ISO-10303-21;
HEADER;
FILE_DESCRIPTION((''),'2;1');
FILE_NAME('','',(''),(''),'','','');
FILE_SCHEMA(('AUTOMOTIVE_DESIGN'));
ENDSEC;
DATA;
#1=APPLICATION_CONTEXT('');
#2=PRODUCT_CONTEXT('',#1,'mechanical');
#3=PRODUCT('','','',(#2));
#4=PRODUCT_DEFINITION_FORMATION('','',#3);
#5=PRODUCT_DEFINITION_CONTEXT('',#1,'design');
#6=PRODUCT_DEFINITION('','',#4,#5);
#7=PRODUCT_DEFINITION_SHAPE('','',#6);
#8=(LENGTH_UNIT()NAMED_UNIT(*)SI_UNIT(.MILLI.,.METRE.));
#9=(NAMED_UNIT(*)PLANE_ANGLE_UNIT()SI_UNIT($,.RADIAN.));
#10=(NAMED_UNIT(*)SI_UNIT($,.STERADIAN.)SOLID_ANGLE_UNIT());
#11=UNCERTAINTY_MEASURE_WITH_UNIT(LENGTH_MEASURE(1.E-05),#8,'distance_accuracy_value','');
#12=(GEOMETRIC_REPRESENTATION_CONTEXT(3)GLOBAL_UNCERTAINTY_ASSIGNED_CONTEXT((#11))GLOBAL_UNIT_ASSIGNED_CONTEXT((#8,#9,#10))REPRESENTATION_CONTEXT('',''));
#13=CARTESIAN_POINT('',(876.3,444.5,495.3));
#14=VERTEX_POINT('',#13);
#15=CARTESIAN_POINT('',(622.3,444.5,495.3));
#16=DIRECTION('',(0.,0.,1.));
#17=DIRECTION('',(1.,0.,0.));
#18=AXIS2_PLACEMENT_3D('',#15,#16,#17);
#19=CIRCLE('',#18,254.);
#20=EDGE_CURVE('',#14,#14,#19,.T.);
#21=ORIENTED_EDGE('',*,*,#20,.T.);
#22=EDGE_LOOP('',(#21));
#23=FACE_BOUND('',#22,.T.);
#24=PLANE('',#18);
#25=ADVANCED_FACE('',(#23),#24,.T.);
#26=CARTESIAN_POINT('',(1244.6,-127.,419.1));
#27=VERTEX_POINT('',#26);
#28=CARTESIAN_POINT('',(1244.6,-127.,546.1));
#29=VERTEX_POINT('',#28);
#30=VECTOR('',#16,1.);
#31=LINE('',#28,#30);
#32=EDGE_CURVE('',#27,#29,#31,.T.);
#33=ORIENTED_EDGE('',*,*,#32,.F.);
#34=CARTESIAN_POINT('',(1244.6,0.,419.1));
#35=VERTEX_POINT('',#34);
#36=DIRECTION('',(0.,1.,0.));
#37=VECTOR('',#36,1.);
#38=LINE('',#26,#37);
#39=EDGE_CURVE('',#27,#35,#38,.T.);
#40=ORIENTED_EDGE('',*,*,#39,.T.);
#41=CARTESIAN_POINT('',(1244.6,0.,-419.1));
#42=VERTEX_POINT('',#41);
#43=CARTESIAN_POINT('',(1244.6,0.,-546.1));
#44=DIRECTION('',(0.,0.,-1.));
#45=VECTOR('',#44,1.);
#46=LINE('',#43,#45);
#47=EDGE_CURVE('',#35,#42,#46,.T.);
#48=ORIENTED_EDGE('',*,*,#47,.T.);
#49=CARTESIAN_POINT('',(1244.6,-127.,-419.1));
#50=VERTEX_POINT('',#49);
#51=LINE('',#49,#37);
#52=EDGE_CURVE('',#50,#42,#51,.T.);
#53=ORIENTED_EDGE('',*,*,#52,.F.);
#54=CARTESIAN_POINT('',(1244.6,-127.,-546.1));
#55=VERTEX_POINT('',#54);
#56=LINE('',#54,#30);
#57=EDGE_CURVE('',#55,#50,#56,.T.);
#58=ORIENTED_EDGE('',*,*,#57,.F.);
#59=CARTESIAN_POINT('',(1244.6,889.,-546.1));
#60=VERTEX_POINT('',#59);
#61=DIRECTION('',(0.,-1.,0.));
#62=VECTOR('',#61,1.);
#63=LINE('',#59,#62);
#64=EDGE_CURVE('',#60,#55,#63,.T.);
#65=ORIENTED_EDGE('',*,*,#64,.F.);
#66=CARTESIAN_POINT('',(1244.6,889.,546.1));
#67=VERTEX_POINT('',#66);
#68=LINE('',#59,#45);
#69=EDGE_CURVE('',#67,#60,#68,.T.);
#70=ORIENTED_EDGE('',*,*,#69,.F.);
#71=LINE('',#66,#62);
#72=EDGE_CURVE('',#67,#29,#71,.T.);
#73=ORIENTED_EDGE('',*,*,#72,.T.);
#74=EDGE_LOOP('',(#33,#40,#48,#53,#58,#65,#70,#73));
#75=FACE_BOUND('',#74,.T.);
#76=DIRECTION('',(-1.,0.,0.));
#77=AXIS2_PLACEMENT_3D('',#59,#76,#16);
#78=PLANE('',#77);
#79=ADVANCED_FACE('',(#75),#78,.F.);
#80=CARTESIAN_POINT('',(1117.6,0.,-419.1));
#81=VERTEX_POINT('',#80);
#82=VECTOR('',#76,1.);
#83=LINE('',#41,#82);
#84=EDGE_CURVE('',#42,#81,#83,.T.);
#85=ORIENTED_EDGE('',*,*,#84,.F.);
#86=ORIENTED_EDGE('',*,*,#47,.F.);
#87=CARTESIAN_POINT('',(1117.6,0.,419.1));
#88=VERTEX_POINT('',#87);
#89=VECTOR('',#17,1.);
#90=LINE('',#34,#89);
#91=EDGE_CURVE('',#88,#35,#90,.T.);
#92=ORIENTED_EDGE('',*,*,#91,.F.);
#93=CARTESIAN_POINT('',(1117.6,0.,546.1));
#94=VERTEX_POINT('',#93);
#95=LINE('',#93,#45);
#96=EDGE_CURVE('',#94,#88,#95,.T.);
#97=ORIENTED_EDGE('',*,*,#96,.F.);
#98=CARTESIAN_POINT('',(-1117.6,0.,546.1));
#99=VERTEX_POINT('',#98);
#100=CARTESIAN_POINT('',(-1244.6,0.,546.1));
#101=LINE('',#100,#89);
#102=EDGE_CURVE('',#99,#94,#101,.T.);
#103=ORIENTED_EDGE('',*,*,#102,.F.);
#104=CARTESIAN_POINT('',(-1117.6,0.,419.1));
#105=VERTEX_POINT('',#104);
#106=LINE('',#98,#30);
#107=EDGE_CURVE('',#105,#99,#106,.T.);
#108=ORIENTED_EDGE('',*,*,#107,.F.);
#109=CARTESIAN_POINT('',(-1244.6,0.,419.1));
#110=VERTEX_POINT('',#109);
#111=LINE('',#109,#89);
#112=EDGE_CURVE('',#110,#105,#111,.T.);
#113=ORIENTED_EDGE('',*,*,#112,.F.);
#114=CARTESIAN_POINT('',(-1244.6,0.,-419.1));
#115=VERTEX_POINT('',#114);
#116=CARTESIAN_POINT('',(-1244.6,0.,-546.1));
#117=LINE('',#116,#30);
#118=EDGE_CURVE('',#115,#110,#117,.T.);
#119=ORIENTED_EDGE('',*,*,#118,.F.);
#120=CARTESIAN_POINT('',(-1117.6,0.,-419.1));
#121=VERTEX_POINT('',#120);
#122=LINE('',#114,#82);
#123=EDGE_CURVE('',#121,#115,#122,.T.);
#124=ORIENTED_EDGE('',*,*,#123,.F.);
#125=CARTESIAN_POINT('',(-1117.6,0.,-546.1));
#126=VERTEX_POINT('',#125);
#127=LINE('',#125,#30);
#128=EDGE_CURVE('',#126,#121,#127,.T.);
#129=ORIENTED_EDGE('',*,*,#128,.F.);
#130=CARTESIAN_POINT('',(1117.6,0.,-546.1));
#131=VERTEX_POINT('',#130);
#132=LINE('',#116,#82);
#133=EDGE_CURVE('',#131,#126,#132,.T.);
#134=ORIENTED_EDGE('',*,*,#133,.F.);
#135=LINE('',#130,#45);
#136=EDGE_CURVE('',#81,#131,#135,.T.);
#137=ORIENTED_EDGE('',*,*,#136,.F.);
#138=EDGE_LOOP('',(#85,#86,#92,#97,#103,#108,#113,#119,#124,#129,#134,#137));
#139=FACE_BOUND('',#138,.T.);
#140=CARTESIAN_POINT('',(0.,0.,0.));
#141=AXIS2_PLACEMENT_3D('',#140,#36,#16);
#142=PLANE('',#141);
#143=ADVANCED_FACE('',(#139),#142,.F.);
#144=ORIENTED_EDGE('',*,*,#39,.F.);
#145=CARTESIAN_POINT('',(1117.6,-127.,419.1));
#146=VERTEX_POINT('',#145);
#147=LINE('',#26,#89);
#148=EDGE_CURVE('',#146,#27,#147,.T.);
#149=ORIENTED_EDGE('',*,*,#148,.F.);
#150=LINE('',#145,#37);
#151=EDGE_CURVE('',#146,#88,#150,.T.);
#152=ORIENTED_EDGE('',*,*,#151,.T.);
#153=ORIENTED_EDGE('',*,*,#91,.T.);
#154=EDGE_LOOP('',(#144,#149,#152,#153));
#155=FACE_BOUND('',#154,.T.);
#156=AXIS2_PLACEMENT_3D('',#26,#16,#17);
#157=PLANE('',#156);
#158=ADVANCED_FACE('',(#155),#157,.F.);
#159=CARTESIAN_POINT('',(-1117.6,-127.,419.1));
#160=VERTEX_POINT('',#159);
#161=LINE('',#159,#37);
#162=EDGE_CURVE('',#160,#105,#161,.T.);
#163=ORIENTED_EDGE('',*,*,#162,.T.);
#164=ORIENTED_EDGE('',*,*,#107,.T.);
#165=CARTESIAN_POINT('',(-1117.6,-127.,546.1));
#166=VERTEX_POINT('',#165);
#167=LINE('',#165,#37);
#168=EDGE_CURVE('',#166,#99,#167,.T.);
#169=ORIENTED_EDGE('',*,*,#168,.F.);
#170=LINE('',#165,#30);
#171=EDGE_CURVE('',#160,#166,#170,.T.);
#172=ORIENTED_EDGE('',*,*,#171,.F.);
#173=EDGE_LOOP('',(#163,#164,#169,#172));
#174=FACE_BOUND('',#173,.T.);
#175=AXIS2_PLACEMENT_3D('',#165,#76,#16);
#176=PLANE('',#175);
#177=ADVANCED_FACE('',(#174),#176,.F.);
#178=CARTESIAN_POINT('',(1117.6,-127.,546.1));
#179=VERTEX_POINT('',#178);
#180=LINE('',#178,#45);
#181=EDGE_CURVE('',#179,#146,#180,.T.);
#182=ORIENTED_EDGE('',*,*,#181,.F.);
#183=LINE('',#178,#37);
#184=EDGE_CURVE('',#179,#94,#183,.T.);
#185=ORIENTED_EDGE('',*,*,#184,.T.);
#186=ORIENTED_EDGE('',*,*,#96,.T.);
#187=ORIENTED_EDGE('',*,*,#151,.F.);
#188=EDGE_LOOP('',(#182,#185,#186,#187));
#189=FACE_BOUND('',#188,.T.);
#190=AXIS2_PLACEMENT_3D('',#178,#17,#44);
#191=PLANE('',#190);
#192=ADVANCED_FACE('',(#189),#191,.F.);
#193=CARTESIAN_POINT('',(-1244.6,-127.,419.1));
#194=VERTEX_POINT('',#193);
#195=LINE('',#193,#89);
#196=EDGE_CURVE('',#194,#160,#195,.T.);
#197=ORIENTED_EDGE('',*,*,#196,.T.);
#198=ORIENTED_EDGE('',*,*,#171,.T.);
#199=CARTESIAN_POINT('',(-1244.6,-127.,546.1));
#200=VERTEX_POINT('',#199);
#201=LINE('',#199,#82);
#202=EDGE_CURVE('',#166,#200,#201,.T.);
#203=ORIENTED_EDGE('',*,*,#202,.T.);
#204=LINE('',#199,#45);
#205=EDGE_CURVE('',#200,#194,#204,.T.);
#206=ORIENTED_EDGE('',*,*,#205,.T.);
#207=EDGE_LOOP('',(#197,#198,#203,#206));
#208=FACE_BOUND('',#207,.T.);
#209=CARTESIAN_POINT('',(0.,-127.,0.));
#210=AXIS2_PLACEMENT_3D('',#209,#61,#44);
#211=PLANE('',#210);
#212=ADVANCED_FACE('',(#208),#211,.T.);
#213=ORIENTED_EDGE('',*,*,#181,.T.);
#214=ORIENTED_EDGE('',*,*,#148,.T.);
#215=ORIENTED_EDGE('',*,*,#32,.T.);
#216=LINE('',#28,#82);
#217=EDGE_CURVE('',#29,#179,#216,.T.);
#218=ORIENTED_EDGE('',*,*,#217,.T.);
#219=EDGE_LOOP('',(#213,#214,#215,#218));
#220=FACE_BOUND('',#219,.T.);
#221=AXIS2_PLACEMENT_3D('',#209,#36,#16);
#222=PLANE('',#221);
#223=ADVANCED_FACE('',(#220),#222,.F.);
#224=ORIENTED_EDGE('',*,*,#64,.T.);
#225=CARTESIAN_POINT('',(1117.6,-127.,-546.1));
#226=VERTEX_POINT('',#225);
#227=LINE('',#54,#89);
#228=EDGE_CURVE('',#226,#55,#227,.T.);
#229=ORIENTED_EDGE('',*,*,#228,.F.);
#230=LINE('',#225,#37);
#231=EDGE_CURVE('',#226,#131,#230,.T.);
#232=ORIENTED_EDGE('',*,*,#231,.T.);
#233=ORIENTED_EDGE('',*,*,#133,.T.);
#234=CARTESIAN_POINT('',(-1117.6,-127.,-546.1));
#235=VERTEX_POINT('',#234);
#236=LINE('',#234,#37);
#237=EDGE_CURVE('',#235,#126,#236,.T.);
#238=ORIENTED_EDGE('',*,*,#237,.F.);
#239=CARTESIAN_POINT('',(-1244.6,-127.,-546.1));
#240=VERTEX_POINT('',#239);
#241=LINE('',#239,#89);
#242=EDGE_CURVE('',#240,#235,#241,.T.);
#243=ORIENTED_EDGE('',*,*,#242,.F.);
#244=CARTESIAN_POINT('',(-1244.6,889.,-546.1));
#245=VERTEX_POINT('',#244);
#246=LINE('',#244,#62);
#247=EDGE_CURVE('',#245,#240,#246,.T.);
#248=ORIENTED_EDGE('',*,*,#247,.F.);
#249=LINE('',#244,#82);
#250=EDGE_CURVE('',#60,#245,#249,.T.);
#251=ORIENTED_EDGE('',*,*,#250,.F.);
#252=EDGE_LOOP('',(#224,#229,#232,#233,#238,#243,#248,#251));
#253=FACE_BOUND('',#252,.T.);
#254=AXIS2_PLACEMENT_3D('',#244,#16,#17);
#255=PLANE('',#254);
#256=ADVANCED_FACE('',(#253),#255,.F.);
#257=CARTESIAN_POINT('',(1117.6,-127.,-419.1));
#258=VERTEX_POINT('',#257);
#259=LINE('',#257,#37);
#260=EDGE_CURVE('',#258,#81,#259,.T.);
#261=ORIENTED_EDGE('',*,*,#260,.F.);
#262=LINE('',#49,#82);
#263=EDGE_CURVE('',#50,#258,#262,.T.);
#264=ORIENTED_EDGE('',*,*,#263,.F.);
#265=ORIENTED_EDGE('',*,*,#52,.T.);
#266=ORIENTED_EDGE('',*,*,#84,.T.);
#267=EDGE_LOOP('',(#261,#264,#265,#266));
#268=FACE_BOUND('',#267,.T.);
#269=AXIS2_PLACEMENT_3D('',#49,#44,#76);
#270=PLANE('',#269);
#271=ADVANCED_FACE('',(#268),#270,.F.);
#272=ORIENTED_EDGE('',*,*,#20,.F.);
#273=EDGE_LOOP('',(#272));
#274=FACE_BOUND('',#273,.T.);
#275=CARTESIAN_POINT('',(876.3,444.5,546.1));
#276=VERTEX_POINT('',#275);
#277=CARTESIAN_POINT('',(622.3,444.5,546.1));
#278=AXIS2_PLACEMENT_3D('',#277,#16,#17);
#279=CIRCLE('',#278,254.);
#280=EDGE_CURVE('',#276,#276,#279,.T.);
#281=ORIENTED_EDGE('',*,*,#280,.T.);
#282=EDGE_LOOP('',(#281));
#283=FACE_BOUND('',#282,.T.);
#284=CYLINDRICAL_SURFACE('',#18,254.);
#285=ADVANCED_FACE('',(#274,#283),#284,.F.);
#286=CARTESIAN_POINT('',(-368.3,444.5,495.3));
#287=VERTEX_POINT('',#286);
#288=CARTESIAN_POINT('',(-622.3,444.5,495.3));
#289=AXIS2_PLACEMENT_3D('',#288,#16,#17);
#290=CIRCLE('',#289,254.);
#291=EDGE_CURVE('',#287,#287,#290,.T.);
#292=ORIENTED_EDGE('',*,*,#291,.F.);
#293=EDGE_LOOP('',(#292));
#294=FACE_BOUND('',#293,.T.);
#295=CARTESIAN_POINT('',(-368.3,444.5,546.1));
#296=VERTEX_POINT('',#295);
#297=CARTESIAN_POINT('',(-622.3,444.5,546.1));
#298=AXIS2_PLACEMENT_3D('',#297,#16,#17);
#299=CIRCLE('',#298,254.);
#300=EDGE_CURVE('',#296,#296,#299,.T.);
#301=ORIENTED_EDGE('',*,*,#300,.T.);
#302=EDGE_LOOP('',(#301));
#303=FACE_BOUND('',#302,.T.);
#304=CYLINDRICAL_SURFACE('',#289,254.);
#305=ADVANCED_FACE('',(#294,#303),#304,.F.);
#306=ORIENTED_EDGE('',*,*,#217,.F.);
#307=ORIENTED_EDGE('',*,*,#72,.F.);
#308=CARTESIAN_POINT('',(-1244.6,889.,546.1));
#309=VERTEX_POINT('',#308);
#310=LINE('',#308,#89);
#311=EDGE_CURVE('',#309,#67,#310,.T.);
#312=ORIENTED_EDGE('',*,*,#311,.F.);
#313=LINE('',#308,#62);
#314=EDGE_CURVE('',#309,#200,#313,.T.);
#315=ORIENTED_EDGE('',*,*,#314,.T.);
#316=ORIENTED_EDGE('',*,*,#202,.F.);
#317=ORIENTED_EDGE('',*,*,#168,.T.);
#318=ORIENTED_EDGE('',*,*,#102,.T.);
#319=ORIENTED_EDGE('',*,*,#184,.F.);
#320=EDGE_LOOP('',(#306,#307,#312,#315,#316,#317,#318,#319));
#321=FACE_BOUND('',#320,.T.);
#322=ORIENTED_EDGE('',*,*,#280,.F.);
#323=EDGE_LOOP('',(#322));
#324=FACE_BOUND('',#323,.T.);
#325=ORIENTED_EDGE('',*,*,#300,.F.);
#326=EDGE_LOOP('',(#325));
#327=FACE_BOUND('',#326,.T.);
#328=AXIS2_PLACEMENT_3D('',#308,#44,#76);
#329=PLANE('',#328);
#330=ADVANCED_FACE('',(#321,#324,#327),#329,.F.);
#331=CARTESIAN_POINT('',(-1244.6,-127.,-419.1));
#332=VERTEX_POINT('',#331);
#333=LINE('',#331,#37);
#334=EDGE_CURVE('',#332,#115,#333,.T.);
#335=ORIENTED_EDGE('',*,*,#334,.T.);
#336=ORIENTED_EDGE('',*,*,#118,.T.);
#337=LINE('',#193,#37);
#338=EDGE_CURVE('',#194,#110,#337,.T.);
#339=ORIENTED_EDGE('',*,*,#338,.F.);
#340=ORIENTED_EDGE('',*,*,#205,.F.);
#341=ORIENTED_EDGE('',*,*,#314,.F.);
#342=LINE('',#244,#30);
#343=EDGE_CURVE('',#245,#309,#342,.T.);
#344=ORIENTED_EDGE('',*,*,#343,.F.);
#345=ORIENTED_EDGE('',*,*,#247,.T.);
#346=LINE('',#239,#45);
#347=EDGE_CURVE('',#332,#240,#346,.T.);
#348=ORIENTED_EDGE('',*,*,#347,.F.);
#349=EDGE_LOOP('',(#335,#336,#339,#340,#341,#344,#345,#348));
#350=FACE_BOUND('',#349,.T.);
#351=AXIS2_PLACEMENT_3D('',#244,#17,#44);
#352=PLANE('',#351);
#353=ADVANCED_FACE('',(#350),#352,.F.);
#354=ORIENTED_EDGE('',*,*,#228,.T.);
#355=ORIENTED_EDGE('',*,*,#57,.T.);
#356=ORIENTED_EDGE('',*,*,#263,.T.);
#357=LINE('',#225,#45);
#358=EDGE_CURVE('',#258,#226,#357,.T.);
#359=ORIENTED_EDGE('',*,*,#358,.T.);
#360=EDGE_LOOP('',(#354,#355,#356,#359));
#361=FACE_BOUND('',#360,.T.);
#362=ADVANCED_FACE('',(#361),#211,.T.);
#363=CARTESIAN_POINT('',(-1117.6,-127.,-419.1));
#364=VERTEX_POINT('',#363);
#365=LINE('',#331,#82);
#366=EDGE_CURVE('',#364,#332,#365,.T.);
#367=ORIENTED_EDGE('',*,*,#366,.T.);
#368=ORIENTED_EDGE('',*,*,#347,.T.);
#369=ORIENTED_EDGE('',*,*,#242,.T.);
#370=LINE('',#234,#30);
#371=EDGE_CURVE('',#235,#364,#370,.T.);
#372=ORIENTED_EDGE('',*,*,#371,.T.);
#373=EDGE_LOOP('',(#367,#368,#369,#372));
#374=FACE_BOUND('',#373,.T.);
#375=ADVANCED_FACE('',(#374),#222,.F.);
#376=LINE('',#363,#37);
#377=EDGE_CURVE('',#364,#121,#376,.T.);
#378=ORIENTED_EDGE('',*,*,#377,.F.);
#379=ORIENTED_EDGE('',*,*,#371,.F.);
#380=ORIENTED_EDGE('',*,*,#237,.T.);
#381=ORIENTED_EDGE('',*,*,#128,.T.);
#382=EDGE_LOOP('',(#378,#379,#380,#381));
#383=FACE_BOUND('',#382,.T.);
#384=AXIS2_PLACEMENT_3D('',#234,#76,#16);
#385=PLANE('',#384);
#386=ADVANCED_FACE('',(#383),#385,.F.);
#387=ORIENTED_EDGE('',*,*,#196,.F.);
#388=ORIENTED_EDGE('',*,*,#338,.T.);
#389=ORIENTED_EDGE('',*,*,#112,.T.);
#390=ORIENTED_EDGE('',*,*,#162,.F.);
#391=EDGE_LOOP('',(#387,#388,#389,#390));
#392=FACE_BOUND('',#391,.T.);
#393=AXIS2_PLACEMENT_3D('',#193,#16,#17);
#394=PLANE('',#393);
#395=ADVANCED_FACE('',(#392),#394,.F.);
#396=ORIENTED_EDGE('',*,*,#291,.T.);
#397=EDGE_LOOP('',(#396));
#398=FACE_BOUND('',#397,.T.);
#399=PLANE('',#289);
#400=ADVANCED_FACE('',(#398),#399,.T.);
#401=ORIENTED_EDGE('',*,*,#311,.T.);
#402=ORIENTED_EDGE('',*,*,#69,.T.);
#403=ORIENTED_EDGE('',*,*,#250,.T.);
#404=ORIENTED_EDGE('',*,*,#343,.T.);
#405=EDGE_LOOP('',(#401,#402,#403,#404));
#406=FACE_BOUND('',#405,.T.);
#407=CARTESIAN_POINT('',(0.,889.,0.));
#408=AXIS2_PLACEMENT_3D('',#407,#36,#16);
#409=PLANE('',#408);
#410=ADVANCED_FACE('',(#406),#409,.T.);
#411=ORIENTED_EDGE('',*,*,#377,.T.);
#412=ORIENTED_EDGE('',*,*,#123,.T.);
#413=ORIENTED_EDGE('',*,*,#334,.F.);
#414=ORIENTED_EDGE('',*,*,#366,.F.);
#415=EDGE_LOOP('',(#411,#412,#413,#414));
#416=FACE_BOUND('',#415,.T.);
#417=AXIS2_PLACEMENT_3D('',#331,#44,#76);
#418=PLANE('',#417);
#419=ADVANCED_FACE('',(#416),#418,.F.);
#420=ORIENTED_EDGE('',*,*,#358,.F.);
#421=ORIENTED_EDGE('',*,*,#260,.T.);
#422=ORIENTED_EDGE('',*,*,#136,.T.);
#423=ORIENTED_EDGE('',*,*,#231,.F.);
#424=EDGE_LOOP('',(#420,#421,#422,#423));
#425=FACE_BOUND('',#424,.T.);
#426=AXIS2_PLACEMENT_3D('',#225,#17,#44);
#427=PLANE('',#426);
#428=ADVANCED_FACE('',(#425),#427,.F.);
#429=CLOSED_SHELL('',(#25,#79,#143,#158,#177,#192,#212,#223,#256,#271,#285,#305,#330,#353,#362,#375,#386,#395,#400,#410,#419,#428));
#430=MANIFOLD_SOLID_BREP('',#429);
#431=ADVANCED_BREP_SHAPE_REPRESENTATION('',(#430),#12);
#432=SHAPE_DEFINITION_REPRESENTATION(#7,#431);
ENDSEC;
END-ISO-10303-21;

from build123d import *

# Parameters (mm, degrees)
SKETCH1_W           = 2489.2
SKETCH1_H           = 1092.2
BOSS_EXTRUDE1_DEPTH = 889
SKETCH2_R           = 254
CUT_EXTRUDE1_DEPTH  = 50.8
SKETCH3_W           = 127
SKETCH3_H           = 127
BOSS_EXTRUDE2_DEPTH = 127


with BuildPart() as part:
    # Sketch1 → Boss-Extrude1 (new body)
    with BuildSketch(Plane(origin=(0, 0, 0), x_dir=(1, 0, 0), z_dir=(0, 1, 0))):
        Rectangle(SKETCH1_W, SKETCH1_H)
    extrude(amount=BOSS_EXTRUDE1_DEPTH)

    # Sketch2 → Cut-Extrude1 (cut)
    with BuildSketch(Plane.XY.offset(546.1)):
        with Locations((622.3, 444.5)):
            Circle(SKETCH2_R)
        with Locations((-622.3, 444.5)):
            Circle(SKETCH2_R)
    extrude(amount=-CUT_EXTRUDE1_DEPTH, mode=Mode.SUBTRACT)

    # Sketch3 → Boss-Extrude2 (add)
    with BuildSketch(Plane.XZ):
        with Locations((-1181.1, 482.6)):
            Rectangle(SKETCH3_W, SKETCH3_H)
        with Locations((-1181.1, -482.6)):
            Rectangle(SKETCH3_W, SKETCH3_H)
        with Locations((1181.1, 482.6)):
            Rectangle(SKETCH3_W, SKETCH3_H)
        with Locations((1181.1, -482.6)):
            Rectangle(SKETCH3_W, SKETCH3_H)
    extrude(amount=BOSS_EXTRUDE2_DEPTH)


solid = part.part
